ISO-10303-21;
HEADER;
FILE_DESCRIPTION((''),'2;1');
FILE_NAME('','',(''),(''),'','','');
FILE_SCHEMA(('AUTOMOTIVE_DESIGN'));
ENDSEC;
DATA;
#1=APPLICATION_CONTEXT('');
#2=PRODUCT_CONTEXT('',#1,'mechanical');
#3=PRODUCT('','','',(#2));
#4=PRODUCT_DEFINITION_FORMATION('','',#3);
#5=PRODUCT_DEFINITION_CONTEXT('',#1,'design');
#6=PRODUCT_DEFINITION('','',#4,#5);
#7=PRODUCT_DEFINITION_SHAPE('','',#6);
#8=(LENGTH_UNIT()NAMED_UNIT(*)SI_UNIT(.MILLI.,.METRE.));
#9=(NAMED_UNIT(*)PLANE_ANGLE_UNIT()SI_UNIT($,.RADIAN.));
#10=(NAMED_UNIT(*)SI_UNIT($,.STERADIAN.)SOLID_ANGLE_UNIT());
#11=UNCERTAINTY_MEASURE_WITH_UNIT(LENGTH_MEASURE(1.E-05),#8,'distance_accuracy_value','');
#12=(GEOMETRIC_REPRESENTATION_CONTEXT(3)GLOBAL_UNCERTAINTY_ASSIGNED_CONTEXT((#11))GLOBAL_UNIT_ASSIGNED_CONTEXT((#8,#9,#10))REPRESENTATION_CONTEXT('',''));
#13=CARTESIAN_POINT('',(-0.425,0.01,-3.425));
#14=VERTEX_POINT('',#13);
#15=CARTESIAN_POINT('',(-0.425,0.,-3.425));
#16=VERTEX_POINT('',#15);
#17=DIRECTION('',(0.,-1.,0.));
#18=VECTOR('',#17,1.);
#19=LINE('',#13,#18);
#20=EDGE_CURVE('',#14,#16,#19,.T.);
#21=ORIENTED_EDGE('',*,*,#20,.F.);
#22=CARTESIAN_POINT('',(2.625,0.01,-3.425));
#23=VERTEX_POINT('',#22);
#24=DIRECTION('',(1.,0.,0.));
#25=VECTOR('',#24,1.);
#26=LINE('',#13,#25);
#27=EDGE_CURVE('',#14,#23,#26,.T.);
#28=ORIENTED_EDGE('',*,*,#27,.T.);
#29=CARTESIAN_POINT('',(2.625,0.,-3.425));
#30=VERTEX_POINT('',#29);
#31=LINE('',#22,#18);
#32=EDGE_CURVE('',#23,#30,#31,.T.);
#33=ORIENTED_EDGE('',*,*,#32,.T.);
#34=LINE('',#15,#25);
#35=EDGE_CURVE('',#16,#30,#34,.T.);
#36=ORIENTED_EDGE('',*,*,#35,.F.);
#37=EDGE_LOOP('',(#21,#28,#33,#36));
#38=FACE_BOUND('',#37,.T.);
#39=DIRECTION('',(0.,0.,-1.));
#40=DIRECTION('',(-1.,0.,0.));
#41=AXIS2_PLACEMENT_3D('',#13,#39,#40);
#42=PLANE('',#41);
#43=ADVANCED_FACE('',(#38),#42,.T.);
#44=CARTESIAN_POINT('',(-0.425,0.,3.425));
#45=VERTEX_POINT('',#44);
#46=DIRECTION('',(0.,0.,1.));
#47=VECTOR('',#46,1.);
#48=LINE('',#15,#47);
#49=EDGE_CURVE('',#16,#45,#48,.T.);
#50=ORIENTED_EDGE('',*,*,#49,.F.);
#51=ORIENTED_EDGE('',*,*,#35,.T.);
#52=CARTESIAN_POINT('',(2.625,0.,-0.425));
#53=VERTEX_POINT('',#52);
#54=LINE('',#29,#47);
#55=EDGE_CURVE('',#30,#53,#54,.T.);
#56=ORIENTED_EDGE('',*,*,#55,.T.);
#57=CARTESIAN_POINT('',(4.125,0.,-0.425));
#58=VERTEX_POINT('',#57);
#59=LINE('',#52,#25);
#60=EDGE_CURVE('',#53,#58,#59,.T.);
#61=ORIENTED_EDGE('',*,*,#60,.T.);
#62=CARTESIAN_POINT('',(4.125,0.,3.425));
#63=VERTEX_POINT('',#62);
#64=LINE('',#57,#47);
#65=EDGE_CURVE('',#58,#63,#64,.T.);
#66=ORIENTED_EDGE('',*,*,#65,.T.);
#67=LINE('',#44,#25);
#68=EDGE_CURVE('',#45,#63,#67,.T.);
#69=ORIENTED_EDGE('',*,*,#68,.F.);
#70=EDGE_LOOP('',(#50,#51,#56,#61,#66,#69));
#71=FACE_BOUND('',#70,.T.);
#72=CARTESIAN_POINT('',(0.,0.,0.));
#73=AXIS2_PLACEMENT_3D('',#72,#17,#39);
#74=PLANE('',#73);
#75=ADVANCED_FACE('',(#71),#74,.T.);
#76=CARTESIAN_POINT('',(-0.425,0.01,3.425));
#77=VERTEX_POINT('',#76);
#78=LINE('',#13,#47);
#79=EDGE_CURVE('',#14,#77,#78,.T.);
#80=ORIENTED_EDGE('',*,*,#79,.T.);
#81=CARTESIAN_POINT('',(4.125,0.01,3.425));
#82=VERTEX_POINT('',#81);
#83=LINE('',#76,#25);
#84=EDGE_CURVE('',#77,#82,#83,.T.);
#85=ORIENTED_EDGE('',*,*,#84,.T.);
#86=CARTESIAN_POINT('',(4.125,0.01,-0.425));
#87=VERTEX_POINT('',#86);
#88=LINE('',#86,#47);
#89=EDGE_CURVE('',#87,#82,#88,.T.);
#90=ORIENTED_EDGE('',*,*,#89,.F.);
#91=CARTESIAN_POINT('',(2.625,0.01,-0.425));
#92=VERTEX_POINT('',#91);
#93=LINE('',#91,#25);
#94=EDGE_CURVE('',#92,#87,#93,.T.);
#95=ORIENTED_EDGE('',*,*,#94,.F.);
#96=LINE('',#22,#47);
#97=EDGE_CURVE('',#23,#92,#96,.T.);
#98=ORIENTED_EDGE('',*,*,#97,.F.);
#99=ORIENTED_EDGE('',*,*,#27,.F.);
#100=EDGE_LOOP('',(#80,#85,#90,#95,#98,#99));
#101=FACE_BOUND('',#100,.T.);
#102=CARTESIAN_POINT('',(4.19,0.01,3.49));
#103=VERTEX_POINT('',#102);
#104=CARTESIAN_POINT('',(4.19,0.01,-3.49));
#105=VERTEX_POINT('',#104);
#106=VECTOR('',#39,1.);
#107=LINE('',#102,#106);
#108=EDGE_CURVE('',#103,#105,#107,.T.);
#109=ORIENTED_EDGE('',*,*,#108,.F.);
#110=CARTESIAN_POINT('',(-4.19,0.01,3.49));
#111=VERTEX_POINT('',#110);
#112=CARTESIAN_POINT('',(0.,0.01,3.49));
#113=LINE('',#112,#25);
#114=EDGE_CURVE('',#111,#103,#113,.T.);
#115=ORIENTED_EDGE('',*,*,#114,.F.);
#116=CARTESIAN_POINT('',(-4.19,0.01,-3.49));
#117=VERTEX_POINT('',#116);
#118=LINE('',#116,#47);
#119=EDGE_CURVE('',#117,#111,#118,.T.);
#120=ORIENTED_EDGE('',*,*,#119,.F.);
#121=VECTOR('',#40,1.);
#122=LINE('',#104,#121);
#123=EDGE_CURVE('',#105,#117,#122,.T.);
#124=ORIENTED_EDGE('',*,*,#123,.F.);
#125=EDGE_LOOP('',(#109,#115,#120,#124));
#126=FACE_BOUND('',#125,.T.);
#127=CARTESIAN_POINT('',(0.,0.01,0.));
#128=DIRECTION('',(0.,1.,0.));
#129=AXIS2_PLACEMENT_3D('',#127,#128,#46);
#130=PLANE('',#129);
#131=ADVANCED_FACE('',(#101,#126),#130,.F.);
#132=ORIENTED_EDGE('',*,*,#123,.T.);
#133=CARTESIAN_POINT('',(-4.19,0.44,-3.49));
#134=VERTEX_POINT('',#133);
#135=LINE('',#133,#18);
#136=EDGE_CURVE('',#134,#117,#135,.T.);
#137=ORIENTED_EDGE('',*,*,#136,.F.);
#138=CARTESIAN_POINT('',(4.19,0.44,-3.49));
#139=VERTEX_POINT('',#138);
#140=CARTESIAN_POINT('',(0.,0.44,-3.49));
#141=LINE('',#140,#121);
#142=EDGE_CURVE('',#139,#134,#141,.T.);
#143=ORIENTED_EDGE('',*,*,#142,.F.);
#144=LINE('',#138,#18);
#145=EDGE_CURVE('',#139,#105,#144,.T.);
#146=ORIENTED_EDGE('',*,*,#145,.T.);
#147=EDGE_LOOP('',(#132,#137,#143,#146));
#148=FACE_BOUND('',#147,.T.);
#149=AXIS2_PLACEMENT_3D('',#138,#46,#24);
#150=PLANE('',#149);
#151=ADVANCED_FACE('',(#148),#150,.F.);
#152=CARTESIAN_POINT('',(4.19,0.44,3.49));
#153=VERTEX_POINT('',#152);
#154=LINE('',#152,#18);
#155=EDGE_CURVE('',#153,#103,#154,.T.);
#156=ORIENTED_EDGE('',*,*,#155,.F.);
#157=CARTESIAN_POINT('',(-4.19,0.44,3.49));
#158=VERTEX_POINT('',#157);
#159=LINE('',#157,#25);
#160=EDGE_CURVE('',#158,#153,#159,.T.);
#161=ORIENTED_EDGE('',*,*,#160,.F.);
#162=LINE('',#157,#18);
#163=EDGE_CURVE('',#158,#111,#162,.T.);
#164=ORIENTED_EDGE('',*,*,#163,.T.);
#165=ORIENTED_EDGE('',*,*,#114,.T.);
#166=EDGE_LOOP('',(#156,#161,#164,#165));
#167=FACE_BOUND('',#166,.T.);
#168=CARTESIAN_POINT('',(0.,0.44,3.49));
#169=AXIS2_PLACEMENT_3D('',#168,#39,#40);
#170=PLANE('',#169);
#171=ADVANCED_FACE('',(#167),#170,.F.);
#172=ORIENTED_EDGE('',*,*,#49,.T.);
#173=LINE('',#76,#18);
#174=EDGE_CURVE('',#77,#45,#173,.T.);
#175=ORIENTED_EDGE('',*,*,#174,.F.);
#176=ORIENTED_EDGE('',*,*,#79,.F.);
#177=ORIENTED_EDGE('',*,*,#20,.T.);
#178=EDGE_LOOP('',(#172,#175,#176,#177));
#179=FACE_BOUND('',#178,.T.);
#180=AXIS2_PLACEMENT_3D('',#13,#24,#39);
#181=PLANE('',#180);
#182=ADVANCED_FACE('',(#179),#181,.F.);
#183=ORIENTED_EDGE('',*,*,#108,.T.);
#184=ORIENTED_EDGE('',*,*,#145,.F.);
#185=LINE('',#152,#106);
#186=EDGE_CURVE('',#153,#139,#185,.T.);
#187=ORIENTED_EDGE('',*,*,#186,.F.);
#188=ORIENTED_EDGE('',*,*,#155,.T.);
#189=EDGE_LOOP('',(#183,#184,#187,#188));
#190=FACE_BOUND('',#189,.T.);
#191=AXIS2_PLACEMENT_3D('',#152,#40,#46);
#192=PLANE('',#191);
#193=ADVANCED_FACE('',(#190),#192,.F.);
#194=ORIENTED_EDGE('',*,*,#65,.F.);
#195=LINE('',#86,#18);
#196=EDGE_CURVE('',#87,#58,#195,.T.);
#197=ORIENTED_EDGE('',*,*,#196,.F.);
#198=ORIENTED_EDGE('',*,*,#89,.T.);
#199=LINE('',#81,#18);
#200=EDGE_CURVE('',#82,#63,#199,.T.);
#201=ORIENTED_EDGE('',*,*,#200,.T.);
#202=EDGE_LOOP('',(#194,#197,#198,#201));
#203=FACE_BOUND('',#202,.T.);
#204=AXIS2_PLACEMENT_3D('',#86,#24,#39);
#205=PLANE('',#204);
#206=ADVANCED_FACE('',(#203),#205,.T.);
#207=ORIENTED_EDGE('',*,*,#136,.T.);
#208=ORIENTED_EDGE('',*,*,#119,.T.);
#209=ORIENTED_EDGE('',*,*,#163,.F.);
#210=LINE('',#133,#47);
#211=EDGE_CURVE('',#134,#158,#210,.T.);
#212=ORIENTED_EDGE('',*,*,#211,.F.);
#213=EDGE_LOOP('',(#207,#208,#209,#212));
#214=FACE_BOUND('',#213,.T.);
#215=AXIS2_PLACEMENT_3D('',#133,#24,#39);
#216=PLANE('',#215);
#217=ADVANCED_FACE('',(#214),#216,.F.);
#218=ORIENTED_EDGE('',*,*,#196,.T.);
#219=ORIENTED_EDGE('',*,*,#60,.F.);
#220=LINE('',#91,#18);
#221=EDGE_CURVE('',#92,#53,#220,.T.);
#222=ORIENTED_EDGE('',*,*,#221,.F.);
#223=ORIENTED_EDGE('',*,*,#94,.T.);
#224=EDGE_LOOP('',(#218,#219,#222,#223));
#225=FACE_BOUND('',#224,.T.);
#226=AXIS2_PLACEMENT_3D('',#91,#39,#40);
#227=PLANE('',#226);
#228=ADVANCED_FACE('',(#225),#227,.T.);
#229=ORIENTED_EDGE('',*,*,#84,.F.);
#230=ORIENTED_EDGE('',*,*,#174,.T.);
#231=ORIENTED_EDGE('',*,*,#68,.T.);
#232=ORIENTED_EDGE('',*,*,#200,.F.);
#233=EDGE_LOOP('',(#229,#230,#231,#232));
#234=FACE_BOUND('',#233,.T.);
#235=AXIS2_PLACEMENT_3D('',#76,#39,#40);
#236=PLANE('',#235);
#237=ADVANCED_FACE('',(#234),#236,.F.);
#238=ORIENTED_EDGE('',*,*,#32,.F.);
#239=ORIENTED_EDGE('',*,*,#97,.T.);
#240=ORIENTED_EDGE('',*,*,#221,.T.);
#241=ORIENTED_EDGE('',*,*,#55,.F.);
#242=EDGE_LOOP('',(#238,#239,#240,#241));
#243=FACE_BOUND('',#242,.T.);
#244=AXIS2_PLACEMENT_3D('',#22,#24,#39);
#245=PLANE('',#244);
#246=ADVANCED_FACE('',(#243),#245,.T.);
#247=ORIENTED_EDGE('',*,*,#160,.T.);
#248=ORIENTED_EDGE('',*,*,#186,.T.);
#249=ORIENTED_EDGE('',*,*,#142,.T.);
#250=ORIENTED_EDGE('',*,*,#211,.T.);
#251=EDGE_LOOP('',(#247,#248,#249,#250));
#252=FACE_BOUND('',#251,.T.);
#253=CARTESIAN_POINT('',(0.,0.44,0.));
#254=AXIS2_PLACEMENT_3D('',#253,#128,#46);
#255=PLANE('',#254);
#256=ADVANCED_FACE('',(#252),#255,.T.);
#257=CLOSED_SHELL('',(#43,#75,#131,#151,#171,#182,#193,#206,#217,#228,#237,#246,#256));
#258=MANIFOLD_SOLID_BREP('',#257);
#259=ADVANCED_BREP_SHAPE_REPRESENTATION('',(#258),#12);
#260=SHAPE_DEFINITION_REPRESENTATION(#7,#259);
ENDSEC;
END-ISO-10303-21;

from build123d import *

# Parameters (mm, degrees)
BOSS_EXTRUDE1_DEPTH = 0.01
BOSS_EXTRUDE2_DEPTH = 0.43


with BuildPart() as part:
    # Sketch1 → Boss-Extrude1 (new body)
    with BuildSketch(Plane(origin=(0, 0, 0), x_dir=(1, 0, 0), z_dir=(0, 1, 0))):
        Polygon((2.625, 3.425), (2.625, 0.425), (4.125, 0.425), (4.125, -3.425), (-0.425, -3.425), (-0.425, 3.425), align=None)
    extrude(amount=BOSS_EXTRUDE1_DEPTH)

    # Sketch2 → Boss-Extrude2 (add)
    with BuildSketch(Plane(origin=(0, 0.01, 0), x_dir=(1, 0, 0), z_dir=(0, 1, 0))):
        Polygon((4.19, 3.49), (0, 3.49), (-4.19, 3.49), (-4.19, -3.49), (0, -3.49), (4.19, -3.49), align=None)
    extrude(amount=BOSS_EXTRUDE2_DEPTH)


solid = part.part
